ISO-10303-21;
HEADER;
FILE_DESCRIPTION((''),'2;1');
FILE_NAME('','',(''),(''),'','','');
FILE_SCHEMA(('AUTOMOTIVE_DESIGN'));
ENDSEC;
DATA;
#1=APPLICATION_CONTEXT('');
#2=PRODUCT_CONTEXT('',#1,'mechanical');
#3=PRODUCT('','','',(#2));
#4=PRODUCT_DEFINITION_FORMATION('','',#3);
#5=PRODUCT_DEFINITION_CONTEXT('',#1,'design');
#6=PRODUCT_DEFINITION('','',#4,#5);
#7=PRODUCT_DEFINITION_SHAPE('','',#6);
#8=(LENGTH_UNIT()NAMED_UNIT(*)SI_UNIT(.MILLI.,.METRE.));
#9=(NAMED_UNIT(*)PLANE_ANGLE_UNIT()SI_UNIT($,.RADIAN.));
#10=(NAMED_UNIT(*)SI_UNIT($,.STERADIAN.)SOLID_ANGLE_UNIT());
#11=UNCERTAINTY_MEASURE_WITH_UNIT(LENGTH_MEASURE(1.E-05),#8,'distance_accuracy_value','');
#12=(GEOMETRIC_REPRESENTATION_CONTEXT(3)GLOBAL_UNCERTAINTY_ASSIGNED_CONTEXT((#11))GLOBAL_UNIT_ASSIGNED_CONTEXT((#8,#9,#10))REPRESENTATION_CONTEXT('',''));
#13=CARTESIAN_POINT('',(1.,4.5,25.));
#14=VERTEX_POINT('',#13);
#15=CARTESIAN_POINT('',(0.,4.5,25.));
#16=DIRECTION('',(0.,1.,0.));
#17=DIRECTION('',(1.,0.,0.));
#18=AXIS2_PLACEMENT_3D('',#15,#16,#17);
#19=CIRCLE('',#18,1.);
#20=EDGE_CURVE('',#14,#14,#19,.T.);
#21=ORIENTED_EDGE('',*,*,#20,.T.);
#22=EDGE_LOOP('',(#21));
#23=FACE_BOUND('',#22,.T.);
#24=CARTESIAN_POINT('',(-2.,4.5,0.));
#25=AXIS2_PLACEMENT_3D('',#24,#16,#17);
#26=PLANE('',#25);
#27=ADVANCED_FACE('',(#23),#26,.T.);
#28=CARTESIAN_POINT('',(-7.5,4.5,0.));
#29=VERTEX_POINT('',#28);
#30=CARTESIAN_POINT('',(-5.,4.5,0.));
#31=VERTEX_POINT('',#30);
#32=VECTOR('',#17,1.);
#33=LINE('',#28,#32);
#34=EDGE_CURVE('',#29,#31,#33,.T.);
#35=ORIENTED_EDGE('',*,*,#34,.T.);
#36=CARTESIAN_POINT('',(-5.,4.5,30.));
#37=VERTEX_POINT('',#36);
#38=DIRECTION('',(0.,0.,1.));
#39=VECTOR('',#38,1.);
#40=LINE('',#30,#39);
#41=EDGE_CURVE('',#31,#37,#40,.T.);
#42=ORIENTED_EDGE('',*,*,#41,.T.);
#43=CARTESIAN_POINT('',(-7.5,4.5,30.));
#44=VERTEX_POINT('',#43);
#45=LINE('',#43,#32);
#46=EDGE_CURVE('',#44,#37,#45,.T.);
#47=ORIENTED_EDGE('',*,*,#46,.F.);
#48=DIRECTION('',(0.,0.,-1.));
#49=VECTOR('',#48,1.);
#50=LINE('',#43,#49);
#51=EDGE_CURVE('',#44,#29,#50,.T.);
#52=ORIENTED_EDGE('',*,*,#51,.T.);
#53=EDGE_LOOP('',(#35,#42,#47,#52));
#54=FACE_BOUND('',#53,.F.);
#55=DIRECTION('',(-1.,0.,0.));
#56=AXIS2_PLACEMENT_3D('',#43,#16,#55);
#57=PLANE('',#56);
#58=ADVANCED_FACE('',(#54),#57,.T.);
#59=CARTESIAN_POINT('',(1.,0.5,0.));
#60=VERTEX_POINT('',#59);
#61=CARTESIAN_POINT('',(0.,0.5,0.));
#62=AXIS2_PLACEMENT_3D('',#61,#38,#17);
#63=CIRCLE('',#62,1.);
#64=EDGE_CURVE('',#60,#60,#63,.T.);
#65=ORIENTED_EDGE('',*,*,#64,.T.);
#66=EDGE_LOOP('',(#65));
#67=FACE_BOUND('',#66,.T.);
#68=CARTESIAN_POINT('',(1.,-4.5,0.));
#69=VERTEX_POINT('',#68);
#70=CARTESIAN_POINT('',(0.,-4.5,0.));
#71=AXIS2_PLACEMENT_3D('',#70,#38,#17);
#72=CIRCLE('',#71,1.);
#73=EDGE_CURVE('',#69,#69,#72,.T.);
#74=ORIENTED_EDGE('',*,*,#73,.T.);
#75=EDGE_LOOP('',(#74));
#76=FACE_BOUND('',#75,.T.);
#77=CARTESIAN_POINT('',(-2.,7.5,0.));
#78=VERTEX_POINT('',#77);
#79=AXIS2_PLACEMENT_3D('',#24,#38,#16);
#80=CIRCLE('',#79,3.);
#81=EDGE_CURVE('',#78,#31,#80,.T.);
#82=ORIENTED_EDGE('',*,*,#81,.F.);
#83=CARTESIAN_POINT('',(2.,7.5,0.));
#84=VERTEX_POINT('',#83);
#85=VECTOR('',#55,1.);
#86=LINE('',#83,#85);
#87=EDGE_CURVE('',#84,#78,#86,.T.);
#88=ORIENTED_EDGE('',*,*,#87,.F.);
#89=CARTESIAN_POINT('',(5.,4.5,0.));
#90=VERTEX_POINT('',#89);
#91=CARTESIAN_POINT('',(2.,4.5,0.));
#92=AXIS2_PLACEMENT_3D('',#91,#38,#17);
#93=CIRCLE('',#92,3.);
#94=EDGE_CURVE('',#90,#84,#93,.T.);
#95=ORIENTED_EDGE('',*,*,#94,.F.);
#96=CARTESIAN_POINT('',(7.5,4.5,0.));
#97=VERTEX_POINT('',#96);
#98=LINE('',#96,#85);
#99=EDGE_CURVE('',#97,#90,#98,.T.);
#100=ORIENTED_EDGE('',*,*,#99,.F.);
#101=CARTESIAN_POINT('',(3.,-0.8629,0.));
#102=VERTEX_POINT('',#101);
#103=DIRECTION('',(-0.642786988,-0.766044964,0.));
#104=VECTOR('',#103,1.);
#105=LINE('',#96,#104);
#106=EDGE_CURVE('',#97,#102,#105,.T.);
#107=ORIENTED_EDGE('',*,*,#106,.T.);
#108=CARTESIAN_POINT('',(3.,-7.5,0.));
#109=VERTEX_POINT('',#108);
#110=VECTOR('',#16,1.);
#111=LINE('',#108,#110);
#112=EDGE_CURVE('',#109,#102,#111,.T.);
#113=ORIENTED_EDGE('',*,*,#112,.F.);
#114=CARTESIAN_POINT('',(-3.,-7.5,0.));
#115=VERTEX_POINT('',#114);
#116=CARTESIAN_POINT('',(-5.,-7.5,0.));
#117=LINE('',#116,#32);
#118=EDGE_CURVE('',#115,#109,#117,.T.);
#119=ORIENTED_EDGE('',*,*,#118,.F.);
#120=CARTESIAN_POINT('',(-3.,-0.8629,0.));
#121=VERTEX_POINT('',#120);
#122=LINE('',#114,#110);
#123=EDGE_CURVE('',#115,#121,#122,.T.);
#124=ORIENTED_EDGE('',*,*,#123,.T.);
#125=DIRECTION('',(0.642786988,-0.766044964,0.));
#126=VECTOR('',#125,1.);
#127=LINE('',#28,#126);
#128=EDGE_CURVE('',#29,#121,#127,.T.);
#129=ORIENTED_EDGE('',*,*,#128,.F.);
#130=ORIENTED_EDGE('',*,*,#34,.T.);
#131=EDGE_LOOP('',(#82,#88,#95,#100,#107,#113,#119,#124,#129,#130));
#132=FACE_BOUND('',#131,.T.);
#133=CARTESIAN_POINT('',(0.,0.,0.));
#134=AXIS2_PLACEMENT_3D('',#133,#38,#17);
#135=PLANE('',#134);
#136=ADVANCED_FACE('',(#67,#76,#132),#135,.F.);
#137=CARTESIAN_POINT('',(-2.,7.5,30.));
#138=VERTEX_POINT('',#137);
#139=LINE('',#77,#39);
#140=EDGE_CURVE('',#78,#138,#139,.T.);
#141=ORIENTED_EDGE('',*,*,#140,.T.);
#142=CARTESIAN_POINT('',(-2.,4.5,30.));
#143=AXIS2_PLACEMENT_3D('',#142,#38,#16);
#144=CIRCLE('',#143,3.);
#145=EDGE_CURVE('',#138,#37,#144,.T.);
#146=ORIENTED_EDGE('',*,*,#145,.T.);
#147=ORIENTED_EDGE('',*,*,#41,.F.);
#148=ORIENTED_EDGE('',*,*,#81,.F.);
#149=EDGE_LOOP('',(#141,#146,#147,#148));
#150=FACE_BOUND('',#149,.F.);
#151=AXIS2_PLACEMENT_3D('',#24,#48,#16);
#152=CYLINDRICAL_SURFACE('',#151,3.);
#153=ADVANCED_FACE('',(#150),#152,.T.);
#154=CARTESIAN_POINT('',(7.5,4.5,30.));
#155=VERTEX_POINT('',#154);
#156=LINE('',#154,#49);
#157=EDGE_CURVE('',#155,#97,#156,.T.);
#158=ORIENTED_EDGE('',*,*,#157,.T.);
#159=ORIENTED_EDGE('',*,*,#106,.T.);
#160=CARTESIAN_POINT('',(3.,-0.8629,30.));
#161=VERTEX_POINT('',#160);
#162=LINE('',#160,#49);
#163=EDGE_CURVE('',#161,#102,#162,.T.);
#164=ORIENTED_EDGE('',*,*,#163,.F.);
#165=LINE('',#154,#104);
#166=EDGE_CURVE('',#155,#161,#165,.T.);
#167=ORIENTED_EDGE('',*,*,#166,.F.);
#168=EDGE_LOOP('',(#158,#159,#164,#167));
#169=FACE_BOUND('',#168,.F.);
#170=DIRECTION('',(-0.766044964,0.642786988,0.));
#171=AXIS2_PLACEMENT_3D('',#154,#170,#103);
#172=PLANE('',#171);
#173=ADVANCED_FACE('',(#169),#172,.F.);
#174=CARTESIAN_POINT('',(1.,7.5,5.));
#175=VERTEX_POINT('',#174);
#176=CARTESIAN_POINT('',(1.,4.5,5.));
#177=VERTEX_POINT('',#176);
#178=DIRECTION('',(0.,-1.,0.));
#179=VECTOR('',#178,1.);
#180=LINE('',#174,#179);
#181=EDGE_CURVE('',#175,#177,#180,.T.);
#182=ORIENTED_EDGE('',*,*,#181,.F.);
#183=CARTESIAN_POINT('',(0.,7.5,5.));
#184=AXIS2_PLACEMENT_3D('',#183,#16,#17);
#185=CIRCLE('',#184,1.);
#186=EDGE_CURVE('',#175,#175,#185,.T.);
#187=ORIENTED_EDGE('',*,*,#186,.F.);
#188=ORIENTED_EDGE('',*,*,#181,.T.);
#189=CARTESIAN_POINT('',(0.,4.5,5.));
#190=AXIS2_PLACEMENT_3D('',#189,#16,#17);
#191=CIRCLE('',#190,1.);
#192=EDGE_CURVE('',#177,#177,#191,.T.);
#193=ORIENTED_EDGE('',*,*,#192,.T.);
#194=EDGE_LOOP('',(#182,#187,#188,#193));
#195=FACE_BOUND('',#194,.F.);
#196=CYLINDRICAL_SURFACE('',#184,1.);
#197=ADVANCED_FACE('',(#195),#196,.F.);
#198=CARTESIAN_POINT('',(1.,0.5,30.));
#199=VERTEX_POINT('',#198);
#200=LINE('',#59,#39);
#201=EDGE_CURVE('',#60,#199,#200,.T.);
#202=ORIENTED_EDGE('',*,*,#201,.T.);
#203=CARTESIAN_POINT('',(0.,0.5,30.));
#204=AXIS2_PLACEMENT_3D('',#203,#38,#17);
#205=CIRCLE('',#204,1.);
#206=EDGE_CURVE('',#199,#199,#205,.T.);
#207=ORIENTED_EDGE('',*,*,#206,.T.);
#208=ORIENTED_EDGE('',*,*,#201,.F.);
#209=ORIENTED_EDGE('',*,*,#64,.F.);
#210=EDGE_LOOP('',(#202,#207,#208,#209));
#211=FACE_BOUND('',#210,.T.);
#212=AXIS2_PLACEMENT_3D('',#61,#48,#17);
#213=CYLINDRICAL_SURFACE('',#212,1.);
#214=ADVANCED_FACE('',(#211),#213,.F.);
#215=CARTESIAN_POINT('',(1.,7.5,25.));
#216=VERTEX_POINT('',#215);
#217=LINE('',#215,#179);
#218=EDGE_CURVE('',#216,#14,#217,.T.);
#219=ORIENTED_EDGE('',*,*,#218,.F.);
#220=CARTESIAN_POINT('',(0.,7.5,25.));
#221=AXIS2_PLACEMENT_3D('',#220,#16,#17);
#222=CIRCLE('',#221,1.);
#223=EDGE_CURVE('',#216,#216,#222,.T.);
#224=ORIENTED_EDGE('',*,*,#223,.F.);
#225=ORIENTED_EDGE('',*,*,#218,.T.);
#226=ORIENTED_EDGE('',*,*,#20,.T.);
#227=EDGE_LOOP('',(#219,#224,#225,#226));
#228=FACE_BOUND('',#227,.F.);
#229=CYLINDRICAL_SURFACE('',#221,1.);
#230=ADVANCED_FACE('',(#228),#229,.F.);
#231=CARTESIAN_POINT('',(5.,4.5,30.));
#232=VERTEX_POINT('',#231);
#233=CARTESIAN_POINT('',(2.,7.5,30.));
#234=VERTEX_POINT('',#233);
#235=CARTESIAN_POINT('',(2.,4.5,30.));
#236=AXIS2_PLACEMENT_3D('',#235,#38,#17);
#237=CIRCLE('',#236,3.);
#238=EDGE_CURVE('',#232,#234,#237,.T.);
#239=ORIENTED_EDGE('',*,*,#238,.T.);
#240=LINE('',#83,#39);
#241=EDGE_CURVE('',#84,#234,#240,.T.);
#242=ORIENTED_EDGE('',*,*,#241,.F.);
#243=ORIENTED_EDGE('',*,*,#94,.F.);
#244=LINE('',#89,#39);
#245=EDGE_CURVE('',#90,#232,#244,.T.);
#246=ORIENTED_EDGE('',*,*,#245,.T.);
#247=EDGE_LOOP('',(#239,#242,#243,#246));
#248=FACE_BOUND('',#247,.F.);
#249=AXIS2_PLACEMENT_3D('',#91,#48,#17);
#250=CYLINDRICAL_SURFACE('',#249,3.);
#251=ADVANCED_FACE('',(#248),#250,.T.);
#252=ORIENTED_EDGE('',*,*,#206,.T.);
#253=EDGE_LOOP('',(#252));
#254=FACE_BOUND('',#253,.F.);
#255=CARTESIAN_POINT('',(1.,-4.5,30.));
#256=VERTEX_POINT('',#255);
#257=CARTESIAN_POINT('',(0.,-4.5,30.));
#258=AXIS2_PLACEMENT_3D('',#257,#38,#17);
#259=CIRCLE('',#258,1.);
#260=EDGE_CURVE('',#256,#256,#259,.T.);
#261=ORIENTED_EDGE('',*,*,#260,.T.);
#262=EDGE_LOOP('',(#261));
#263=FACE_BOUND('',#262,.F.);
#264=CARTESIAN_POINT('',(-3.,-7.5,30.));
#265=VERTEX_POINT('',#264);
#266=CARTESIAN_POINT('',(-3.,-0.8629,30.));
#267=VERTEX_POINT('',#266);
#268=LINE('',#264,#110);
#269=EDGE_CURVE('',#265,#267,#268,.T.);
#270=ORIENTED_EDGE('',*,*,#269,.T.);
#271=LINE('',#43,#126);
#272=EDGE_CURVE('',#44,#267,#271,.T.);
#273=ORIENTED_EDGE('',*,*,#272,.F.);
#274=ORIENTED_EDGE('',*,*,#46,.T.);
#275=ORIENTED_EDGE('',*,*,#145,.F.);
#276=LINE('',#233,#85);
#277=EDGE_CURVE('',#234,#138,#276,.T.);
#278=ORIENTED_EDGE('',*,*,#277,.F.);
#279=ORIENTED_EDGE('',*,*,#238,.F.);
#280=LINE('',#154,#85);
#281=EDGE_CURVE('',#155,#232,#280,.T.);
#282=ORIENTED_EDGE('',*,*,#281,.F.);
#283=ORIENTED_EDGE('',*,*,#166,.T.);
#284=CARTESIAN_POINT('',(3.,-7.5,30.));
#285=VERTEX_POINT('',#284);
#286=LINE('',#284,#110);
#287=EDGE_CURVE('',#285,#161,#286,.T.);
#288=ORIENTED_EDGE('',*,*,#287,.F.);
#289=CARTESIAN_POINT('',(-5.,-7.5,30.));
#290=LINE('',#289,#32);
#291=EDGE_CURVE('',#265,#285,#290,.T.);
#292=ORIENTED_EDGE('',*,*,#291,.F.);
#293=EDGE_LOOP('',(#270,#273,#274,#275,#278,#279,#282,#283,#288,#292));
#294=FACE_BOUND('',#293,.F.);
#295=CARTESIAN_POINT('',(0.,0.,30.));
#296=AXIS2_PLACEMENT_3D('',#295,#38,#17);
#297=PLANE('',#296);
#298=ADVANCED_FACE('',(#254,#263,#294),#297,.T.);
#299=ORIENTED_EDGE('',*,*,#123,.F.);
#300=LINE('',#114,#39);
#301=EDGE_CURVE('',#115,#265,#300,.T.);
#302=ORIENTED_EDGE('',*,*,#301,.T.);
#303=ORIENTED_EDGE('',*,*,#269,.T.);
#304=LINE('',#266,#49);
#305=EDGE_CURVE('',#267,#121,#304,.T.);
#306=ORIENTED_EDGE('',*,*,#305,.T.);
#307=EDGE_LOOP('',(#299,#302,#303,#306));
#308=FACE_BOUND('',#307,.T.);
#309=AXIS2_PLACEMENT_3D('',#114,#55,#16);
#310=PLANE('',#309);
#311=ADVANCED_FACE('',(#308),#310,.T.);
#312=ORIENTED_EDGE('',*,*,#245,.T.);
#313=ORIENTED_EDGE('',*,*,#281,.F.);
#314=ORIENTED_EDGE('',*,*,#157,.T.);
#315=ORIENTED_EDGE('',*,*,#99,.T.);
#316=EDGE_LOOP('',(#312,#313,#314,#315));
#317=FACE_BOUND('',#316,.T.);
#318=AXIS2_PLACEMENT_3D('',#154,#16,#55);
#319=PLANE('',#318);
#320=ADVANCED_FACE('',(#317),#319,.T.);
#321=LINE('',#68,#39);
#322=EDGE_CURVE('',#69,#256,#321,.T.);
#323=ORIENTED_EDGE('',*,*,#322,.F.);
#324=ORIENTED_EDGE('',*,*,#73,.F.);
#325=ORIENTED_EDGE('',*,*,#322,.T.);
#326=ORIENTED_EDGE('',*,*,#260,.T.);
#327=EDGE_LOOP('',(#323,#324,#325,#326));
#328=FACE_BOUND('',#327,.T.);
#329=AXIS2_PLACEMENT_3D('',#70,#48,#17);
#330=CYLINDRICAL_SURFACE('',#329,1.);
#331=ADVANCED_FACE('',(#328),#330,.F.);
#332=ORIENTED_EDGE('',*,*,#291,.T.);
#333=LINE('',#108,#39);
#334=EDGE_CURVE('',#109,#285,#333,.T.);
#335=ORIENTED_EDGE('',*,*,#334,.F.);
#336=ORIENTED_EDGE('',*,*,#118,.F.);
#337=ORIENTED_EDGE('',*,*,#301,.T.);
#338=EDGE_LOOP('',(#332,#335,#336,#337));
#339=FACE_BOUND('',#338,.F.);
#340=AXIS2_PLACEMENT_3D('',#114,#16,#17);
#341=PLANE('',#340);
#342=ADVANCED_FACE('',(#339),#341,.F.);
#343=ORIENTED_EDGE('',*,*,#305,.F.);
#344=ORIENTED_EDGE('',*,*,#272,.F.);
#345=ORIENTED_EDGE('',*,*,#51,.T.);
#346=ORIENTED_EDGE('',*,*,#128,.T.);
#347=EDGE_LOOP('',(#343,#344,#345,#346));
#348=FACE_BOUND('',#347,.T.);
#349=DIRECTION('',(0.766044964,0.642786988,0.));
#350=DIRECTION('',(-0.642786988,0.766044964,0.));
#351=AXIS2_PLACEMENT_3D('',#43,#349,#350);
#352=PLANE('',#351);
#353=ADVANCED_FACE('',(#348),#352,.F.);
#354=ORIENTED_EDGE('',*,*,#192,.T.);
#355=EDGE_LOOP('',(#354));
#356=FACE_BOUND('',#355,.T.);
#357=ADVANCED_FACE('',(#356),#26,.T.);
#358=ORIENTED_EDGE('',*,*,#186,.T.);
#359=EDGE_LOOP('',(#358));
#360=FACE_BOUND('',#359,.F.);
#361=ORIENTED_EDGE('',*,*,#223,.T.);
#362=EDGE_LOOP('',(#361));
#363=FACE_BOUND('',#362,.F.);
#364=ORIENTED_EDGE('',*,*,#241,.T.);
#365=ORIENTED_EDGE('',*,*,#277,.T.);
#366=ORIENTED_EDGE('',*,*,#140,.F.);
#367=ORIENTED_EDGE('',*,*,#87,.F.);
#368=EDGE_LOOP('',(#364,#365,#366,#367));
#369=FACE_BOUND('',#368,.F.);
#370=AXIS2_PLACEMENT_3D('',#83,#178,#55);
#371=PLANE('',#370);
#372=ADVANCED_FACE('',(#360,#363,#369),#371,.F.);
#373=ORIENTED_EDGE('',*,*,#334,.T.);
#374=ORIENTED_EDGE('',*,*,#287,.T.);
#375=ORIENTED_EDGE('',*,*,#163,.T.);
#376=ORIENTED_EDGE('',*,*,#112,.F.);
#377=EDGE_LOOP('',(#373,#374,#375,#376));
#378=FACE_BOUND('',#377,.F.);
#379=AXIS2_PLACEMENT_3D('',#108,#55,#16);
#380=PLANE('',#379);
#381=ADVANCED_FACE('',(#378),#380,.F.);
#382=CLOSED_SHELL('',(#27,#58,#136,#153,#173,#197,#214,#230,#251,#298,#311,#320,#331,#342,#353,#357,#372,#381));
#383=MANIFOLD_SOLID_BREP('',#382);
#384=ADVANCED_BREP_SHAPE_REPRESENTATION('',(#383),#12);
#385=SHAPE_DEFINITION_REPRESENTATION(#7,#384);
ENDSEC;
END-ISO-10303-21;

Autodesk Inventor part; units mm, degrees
ref_plane "YZ Plane" through (0, 0, 0) normal (1, 0, 0) x (0, 1, 0)
ref_plane "XZ Plane" through (0, 0, 0) normal (0, 1, 0) x (-1, 0, 0)
ref_plane "XY Plane" through (0, 0, 0) normal (0, 0, 1) x (1, 0, 0)
sketch "Sketch1" plane through (0, 0, 0) normal (0, 0, 1) x (1, 0, 0)
  line L0 (2, 7.5) -> (-2, 7.5)
  line L1 (-5, 4.5) -> (-5, -7.5)
  line L2 (-5, -7.5) -> (5, -7.5)
  line L3 (5, -7.5) -> (5, 4.5)
  line L4 (5, 7.5) -> (-5, -7.5) construction
  line L5 (-5, 7.5) -> (5, -7.5) construction
  arc A0 (-2, 7.5) -> (-5, 4.5) centre (-2, 4.5) ccw
  arc A1 (5, 4.5) -> (2, 7.5) centre (2, 4.5) ccw
  circle A2 centre (0, -4.5) radius 1
  circle A3 centre (0, 0.5) radius 1
  line L6 (-10.3044, 3.5) -> (10.8002, 3.5) construction
  line L7 (-3, -7.5) -> (-3, 3.5)
  line L8 (-3, 3.5) -> (-5, 3.5)
  line L9 (3, -7.5) -> (3, 3.5)
  line L10 (3, 3.5) -> (5, 3.5)
  point P0 (0, 0)
  point P1 (0, 7.5)
  dimension "d0" = 10
  dimension "d1" = 15
  dimension "d2" = 3
  dimension "d3" = 2
  dimension "d4" = 2
  dimension "d5" = 3
  dimension "d6" = 5
  dimension "d9" = 3
  dimension "d10" = 3
  dimension "d11" = 3
extrude "Extrusion1" add sketch "Sketch1" along normal blind 30 contours A1 L3 L10 L9 L2 L7 L8 L1 A0 L0
chamfer "Chamfer1" distance 3.4641 angle 30 1 edges at (3, 3.5, 15) measured on face at (3, -3.8333, 10)
chamfer "Chamfer2" distance 3.4641 angle 30 1 edges at (-3, 3.5, 15) measured on face at (-3, -0.1667, 10)
sketch "Sketch2" plane through (-2, 7.5, 0) normal (0, 1, 0) x (1, 0, 0)
  circle A0 centre (2, -25) radius 1
  circle A1 centre (2, -5) radius 1
  line L0 (4, 0) -> (0, 0) projected
  line L1 (4, -30) -> (0, -30) projected
  point P0 (2, 0)
  point P1 (2, 0)
  point P2 (2, 0)
  dimension "d19" = 2
  dimension "d20" = 2
  dimension "d21" = 5
  dimension "d22" = 5
extrude "Extrusion2" cut sketch "Sketch2" against normal blind 3
sketch "Sketch3" plane through (0, 0, 30) normal (0, 0, 1) x (1, 0, 0)
  line L0 (-3, -7.5) -> (3, -7.5) projected
  line L1 (3, -7.5) -> (7.5, -7.5) construction
  line L2 (7.5, -7.5) -> (7.5, 4.5) construction
  line L3 (7.5, 4.5) -> (5, 4.5) construction
  line L4 (3, 4.5) -> (3, -7.5) construction
  line L5 (7.5, 4.5) -> (3, -0.8629)
  line L6 (7.5, 4.5) -> (13.864, 4.5) construction
  line L7 (7.5, 4.5) -> (5, 4.5)
  line L8 (5, 3.5) -> (3, 0.0359) projected
  line L9 (5, 3.5) -> (5, 4.5) projected
  line L10 (3, -7.5) -> (3, 0.0359) projected
  point P0 (0, 0)
  dimension "d25" = 4.5
  dimension "d26" = 12
  dimension "d27" = 130
extrude "Extrusion3" add sketch "Sketch3" against normal up to surface (30 mm away)
mirror "Mirror2" about plane through (0, 0, 0) normal (1, 0, 0) of "Extrusion3"
properties part number "Foot_V1"
